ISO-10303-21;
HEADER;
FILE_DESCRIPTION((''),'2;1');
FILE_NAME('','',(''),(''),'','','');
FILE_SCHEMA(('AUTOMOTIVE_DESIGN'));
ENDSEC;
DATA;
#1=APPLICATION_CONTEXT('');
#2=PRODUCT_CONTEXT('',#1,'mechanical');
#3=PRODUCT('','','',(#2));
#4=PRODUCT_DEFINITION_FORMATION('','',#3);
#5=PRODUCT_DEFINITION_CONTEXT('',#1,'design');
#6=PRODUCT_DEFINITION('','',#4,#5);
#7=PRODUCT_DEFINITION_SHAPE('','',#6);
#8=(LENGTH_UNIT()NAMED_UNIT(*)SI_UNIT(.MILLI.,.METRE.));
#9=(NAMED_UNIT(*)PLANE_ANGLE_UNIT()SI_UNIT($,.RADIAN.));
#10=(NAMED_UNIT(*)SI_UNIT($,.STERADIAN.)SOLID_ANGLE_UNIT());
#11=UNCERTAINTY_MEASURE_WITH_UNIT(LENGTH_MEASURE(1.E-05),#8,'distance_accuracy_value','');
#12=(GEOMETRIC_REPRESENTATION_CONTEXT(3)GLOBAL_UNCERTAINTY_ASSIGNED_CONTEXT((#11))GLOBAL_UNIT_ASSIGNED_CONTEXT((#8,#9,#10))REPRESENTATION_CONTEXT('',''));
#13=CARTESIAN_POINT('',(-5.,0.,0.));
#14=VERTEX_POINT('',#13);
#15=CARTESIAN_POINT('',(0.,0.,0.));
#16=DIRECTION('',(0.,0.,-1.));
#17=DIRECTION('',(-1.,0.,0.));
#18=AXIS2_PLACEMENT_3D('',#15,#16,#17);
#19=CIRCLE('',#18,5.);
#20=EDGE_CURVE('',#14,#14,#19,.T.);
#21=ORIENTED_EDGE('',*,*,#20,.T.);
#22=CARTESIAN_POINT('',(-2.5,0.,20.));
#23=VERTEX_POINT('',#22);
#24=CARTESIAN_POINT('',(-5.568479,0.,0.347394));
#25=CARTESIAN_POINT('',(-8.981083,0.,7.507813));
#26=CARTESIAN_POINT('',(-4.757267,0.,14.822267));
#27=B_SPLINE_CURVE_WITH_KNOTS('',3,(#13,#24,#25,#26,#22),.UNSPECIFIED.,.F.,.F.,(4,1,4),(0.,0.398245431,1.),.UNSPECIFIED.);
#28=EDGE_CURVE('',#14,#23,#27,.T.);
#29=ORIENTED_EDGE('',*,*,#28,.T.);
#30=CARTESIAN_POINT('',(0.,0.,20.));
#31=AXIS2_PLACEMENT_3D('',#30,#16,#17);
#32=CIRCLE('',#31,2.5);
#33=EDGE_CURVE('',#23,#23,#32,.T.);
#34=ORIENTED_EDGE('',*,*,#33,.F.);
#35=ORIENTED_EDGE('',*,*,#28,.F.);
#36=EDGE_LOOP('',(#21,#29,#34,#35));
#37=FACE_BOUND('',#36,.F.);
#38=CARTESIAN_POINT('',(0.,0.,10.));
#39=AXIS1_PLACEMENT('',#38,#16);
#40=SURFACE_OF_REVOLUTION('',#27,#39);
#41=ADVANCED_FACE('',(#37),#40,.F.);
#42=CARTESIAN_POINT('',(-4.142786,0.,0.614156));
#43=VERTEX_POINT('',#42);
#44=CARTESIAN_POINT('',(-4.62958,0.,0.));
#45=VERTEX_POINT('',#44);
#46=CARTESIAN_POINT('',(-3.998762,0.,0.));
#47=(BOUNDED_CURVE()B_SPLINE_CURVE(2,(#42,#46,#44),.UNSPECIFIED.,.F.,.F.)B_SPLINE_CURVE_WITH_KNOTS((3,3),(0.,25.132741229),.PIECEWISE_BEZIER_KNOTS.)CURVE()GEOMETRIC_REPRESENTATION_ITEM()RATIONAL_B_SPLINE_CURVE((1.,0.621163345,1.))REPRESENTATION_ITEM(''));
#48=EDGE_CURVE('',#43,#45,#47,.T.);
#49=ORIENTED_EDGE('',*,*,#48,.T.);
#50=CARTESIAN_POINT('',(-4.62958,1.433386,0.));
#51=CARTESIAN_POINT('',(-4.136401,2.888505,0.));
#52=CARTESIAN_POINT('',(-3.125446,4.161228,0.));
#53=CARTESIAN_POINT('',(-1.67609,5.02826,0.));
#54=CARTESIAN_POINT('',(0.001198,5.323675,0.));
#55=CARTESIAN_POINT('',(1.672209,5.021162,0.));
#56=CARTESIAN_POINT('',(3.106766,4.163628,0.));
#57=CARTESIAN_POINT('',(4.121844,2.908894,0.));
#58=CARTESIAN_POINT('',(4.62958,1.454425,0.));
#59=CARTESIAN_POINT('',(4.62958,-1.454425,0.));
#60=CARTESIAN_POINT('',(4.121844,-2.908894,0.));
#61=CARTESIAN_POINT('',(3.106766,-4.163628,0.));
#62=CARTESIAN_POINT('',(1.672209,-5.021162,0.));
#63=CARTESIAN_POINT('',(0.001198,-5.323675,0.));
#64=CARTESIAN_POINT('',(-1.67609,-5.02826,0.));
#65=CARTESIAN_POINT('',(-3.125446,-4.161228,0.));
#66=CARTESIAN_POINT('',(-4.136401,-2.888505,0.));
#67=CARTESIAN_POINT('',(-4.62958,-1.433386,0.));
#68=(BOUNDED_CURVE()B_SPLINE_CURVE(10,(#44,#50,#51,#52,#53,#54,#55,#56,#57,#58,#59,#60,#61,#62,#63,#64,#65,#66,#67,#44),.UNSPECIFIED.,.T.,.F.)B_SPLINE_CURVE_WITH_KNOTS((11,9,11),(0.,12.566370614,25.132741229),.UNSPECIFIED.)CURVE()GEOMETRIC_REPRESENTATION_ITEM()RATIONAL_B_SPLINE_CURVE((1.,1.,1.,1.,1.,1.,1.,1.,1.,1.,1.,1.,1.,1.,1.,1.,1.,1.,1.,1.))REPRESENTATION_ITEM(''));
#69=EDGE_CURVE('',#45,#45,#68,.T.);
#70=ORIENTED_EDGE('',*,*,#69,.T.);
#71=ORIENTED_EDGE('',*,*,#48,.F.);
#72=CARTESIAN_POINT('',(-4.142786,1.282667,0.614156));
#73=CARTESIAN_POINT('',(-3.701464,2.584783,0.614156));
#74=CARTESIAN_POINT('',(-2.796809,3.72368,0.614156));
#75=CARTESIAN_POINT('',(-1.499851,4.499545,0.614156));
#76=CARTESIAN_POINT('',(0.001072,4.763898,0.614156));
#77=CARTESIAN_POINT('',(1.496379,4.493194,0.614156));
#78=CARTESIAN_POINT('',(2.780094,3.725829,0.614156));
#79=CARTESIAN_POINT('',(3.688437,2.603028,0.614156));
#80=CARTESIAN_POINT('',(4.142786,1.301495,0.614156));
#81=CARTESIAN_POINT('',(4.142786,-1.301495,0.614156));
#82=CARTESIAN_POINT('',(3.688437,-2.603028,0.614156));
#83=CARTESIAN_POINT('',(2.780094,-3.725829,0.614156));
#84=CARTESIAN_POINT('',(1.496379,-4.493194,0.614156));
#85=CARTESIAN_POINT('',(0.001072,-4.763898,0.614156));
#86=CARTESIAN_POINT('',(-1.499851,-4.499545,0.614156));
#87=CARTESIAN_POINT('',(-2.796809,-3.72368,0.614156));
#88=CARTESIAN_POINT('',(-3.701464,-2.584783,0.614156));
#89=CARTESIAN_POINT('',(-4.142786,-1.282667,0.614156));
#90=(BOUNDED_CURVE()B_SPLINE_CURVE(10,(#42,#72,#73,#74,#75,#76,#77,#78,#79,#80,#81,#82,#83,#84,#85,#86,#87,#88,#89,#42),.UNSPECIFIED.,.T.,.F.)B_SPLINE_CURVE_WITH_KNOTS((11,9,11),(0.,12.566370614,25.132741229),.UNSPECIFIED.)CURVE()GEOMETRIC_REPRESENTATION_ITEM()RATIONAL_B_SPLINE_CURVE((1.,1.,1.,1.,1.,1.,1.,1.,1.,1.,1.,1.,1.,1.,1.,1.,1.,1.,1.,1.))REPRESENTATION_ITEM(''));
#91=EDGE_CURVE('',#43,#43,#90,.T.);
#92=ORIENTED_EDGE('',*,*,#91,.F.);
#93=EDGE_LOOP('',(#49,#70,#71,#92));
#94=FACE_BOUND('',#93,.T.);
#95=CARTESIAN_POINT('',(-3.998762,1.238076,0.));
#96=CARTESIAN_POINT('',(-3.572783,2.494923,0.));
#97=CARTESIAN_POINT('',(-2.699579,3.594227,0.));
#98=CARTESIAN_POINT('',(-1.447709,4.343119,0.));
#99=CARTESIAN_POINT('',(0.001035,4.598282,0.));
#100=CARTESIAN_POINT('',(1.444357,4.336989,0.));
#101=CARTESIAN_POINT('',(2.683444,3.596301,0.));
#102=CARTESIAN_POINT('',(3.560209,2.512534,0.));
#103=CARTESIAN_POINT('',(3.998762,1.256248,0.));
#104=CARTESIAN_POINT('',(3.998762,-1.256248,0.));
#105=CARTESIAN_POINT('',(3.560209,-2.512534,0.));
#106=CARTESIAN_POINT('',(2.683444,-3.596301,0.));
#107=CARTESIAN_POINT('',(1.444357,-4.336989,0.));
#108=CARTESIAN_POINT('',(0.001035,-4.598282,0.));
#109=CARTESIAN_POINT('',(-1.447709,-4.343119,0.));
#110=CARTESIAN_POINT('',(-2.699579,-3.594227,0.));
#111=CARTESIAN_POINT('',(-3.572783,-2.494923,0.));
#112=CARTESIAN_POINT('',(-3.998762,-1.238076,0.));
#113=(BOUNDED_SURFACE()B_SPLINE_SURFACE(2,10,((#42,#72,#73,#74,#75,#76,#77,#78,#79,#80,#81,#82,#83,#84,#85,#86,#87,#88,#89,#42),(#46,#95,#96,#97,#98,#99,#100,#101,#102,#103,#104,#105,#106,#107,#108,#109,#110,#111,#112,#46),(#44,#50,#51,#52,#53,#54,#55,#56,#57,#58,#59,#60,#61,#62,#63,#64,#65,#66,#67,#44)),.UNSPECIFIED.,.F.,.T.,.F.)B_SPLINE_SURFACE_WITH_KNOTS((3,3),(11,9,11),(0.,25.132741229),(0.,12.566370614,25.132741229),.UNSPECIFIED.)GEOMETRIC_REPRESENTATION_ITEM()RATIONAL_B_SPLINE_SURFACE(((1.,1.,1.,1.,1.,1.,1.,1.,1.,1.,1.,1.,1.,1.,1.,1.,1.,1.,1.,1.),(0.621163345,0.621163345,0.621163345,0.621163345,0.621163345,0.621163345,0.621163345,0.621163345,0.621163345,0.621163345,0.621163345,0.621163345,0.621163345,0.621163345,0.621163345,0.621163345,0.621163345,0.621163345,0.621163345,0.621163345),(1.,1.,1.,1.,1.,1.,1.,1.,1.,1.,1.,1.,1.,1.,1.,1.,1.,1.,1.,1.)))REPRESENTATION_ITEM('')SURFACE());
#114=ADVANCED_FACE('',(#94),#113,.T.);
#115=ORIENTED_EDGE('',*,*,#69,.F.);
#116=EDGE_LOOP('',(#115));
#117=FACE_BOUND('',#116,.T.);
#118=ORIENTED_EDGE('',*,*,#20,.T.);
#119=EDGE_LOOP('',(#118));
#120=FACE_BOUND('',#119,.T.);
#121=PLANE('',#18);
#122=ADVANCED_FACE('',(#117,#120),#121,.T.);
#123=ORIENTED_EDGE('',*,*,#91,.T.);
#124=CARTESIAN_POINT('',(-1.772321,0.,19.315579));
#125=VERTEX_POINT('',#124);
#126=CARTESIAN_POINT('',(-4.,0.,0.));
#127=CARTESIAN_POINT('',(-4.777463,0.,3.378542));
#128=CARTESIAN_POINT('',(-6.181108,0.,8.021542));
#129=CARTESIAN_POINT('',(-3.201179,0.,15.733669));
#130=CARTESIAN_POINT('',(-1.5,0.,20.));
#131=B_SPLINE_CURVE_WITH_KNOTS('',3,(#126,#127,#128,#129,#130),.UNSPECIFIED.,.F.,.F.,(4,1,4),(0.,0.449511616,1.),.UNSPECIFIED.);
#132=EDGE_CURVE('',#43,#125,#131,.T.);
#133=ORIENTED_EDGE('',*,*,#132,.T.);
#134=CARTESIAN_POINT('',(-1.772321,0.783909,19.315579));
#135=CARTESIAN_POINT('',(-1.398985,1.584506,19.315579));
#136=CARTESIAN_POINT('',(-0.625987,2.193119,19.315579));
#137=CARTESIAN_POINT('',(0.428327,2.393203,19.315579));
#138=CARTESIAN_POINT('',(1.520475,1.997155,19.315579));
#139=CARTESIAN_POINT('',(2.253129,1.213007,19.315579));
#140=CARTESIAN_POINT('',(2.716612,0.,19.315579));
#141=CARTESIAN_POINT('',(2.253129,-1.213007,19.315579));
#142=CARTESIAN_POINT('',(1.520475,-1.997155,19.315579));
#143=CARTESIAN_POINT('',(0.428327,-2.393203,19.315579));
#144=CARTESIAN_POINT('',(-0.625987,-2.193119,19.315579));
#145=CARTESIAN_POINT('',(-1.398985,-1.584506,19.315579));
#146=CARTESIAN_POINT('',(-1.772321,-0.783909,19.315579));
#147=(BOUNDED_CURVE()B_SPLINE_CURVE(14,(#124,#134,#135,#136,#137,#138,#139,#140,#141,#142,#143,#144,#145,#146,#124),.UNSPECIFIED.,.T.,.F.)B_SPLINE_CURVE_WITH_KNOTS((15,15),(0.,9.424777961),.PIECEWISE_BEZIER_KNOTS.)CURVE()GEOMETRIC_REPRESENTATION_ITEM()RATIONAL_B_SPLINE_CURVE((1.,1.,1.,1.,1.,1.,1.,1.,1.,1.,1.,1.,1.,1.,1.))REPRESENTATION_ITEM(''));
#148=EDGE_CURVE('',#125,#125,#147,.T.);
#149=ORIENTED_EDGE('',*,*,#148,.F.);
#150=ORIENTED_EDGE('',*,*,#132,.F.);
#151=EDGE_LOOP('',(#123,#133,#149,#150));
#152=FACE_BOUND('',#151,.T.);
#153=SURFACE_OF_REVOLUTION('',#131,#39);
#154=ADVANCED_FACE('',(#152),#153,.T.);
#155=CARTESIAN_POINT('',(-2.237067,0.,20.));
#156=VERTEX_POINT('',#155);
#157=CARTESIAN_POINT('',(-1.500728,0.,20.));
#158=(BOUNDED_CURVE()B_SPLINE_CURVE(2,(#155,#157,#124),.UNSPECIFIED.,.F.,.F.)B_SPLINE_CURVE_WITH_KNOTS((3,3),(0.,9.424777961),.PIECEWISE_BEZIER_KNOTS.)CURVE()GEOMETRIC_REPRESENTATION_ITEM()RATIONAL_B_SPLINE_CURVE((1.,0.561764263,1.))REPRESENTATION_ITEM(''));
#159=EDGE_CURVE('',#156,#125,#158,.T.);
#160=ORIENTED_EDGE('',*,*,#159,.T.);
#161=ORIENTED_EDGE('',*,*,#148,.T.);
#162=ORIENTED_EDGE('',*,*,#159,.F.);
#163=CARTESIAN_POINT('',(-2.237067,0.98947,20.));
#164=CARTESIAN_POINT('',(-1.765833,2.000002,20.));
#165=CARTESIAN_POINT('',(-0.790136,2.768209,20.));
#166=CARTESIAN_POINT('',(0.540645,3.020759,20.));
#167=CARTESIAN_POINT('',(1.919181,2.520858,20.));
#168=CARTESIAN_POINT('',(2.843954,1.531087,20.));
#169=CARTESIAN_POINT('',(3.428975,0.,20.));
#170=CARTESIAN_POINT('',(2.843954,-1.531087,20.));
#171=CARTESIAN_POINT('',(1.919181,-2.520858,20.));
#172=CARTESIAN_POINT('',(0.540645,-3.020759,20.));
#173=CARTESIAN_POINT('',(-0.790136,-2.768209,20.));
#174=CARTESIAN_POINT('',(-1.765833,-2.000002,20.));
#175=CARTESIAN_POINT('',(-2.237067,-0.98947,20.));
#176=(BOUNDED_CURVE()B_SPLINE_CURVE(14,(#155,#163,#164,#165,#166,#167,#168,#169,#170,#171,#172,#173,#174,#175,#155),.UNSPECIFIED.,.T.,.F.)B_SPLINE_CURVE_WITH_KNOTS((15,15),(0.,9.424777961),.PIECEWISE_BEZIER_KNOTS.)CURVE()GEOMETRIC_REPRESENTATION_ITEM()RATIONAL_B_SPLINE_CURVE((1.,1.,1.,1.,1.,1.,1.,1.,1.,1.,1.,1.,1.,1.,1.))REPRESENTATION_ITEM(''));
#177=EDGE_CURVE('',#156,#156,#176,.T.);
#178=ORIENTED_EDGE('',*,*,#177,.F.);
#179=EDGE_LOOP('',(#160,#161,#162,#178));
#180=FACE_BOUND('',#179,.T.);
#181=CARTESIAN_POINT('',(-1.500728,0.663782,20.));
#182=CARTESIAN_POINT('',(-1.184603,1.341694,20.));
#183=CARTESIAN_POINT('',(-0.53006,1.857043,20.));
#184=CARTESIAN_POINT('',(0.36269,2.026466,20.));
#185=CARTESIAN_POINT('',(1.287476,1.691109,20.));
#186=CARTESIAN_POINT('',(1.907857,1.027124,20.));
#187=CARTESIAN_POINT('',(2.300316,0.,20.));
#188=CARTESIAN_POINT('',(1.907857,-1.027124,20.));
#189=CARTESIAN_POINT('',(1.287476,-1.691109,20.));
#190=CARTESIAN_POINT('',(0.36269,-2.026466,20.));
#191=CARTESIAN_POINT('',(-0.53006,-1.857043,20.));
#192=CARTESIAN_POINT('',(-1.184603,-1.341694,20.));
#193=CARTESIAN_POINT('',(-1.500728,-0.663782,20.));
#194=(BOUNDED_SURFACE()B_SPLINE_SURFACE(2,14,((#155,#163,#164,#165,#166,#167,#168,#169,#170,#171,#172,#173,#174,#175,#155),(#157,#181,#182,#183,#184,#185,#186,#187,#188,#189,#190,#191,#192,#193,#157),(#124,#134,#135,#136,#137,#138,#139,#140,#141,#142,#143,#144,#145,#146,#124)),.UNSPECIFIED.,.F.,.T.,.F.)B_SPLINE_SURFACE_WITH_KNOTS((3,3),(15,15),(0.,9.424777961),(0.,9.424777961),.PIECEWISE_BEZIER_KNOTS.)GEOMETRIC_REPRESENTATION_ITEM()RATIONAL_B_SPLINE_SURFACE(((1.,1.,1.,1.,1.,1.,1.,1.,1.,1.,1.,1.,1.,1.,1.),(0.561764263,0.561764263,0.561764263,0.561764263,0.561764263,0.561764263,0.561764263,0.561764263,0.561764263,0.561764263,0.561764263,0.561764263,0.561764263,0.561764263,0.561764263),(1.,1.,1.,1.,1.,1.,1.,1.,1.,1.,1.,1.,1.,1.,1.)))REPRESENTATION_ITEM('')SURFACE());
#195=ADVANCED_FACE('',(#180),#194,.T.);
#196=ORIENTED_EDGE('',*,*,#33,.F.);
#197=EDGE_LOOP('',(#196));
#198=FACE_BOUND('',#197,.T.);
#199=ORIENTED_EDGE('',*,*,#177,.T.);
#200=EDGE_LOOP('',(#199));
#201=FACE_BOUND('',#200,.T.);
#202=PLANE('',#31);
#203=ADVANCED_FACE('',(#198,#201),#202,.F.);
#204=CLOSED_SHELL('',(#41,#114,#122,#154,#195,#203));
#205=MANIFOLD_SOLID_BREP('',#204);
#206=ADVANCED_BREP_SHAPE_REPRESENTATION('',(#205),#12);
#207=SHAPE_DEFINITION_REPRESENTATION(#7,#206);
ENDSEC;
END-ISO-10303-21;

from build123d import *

# Parameters (mm, degrees)
F2_R = 0.5
F3_R = 0.5


with BuildPart() as f1:
    # F0 (on Front) → F1 (revolve)
    with BuildSketch(Plane.XZ):
        with BuildLine():
            add(Edge.make_bspline(
                [(-5, 0), (-5.568478834, 0.3473942948), (-8.9810832887, 7.5078125566), (-4.7572668768, 14.8222669789), (-2.5, 20)],
                knots=[0, 0, 0, 0, 0.3982454309, 1, 1, 1, 1], degree=3))
            Line((-5, 0), (-4, 0))
            add(Edge.make_bspline(
                [(-4, 0), (-4.7774628776, 3.3785415502), (-6.1811078788, 8.0215420638), (-3.2011788665, 15.7336687939), (-1.5, 20)],
                knots=[0, 0, 0, 0, 0.4495116156, 1, 1, 1, 1], degree=3))
            Line((-1.5, 20), (-2.5, 20))
        make_face()
    revolve(axis=Axis((0, 0, 10), (0, 0, -1)))

    # F2
    f2_edges = [f1.edges().sort_by_distance(p)[0] for p in [
        (1.5, 0, 20),
    ]]
    fillet(f2_edges, radius=F2_R)

    # F3
    f3_edges = [f1.edges().sort_by_distance(p)[0] for p in [
        (4, 0, 0),
    ]]
    fillet(f3_edges, radius=F3_R)


solid = f1.part
